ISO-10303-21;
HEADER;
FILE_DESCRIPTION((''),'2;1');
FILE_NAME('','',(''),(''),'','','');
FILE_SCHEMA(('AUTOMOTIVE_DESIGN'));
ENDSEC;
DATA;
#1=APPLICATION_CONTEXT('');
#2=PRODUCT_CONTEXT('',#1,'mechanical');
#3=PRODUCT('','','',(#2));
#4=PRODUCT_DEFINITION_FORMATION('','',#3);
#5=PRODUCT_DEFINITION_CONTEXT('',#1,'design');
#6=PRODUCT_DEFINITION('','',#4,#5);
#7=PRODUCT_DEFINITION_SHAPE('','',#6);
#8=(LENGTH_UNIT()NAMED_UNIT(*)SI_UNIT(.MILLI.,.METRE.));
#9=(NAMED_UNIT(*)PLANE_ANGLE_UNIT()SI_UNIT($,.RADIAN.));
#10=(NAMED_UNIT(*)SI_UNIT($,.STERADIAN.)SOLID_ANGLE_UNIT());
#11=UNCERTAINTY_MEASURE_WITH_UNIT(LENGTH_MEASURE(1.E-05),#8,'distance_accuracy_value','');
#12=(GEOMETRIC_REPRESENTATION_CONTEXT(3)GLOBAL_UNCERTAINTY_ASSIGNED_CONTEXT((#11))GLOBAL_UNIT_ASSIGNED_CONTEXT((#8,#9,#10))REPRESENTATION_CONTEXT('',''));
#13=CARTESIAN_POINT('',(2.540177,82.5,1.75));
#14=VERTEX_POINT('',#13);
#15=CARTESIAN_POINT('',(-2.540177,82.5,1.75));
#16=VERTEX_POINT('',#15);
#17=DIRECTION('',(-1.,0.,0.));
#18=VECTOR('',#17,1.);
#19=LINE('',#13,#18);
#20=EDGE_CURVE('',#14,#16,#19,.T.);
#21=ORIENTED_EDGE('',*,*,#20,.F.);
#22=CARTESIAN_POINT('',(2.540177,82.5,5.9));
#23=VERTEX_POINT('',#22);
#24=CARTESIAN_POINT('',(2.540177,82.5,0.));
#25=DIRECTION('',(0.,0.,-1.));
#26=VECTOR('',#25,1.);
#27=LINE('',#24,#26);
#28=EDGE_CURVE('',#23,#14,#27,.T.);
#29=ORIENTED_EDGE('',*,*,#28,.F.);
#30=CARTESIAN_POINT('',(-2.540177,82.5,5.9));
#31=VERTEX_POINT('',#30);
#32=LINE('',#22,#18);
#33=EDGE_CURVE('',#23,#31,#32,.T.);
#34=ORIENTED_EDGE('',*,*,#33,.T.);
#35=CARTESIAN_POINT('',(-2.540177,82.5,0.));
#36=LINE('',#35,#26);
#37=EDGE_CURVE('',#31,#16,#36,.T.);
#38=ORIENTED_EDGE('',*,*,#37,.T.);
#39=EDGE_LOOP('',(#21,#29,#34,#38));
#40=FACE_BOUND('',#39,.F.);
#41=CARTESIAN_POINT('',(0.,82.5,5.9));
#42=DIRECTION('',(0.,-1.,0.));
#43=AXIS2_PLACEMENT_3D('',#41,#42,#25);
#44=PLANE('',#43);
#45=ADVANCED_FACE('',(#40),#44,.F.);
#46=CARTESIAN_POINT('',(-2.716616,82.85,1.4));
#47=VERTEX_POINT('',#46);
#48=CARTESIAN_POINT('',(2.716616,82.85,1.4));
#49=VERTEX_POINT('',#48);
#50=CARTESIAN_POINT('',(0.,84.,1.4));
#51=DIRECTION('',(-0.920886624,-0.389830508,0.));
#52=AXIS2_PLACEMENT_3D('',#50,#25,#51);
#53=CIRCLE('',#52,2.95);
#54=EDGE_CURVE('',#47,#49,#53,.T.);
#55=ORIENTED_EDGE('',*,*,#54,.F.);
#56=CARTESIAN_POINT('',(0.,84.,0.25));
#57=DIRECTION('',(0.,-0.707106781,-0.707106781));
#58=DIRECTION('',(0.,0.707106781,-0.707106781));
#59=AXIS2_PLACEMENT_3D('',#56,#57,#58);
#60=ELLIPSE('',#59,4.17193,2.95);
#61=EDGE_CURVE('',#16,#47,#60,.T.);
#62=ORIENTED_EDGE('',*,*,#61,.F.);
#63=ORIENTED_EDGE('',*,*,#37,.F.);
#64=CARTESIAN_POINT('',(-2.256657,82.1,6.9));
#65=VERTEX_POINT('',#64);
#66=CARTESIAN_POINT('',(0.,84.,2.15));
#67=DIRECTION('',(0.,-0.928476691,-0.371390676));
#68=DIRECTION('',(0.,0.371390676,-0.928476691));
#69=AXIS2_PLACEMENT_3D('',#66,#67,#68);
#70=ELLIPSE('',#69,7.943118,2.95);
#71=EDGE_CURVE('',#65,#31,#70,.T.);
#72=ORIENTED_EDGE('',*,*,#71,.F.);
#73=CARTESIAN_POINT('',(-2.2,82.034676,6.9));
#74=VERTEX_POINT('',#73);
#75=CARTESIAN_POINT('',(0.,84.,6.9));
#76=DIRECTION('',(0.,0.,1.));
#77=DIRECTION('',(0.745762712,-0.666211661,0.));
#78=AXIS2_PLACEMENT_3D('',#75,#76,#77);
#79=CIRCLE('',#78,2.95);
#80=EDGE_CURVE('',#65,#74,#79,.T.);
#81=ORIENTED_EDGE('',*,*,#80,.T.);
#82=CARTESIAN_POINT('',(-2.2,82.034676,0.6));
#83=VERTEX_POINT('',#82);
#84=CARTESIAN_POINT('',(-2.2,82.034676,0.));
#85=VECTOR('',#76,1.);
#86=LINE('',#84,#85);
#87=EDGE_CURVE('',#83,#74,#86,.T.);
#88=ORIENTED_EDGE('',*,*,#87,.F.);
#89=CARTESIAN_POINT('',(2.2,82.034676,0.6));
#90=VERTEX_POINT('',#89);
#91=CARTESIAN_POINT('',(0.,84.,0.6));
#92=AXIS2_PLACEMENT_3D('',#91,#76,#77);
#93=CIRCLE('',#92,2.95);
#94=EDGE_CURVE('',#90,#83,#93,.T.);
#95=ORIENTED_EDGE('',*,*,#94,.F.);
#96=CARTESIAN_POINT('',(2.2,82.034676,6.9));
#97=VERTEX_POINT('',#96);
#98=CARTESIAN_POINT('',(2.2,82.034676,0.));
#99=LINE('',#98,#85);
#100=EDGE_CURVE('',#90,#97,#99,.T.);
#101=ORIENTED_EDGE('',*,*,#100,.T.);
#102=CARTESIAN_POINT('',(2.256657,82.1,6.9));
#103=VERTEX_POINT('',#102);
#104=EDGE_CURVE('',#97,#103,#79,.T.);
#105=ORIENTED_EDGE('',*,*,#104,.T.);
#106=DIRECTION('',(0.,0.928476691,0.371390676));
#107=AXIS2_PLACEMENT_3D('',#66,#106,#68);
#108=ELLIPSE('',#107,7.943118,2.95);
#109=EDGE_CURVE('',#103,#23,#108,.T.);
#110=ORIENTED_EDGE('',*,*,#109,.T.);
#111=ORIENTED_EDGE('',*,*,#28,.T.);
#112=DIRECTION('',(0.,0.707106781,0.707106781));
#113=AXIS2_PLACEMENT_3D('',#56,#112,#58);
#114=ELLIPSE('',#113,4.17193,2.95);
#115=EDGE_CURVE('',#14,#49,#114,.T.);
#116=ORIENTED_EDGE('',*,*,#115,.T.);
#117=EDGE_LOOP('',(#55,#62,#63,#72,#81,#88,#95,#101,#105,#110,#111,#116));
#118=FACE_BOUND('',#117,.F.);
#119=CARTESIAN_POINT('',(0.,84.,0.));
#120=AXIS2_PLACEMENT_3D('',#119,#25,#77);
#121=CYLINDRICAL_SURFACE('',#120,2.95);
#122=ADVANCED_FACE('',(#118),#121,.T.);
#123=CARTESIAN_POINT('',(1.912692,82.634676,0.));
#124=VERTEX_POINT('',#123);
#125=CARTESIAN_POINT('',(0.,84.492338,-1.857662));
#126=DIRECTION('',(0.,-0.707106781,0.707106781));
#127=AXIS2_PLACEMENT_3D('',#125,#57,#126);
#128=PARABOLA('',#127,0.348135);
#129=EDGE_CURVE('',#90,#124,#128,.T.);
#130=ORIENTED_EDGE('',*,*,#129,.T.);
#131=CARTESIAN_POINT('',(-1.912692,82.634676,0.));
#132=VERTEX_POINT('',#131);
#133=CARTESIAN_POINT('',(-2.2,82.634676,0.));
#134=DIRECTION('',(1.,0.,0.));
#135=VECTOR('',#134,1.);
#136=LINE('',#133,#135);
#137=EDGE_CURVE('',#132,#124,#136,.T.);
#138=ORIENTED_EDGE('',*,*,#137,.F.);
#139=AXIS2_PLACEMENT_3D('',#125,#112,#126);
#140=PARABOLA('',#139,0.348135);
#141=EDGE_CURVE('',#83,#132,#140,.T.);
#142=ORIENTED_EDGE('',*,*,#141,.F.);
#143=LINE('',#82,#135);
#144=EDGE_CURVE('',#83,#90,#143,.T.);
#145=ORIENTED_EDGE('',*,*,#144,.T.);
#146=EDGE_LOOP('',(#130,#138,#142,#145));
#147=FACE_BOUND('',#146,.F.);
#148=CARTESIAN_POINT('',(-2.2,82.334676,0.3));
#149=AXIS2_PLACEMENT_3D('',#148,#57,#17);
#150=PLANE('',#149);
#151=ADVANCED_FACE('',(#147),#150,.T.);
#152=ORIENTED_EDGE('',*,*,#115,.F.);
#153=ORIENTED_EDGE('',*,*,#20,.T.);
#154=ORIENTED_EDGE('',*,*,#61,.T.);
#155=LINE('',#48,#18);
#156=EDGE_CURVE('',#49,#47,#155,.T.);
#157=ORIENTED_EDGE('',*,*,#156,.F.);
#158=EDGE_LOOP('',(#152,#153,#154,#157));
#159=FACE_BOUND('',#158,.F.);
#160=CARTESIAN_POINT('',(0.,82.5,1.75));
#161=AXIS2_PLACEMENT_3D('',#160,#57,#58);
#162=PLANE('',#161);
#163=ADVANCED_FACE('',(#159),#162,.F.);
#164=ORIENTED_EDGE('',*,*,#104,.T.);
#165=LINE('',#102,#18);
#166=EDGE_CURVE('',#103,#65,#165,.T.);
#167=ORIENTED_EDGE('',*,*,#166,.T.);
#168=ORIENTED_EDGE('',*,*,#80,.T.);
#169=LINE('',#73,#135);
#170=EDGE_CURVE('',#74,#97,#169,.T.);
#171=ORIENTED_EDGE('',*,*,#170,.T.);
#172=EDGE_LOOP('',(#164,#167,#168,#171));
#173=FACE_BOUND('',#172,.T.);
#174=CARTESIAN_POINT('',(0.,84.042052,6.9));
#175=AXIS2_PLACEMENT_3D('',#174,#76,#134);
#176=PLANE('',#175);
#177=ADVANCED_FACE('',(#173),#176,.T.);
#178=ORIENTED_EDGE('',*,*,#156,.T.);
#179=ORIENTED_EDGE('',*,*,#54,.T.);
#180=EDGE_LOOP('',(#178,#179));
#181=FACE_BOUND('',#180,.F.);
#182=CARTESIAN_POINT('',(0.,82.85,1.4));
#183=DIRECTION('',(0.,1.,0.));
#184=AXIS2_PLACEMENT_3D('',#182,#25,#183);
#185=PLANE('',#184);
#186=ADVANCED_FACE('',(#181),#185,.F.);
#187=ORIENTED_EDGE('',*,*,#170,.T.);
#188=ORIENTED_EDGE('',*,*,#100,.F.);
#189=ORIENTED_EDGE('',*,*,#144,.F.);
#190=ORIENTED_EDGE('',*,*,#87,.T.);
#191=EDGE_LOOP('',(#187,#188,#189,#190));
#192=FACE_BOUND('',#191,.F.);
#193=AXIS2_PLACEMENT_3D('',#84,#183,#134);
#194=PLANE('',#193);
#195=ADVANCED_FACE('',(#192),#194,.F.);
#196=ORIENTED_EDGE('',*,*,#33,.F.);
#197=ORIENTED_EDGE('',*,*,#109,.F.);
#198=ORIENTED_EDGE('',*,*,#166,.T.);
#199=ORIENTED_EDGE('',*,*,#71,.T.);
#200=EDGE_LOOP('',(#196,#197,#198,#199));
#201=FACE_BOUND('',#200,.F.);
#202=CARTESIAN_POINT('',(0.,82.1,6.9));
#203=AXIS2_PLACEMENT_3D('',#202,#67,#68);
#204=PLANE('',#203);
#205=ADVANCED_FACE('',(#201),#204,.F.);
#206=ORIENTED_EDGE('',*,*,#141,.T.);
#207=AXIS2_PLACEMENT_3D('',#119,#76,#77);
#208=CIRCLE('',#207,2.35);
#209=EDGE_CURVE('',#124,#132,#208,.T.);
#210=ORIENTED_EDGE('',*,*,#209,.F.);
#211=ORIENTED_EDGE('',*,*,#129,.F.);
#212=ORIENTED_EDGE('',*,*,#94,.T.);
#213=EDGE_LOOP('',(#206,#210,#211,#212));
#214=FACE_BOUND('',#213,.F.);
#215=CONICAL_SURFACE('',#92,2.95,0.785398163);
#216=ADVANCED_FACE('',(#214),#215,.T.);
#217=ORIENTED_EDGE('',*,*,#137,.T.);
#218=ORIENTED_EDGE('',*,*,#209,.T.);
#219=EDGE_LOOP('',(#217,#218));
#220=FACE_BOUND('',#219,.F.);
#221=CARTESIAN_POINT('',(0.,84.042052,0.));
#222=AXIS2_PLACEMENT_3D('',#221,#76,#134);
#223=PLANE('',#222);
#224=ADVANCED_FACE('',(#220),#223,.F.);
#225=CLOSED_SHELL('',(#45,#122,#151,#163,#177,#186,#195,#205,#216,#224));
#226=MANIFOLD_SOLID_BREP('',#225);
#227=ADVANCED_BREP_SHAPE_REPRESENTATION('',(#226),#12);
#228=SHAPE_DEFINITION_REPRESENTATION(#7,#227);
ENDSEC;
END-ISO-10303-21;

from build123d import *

# Parameters (mm, degrees)
PAD007_DEPTH         = 6.9
POCKET005_DEPTH      = 2.951
POCKET005_DEPTH_BACK = 2.951
CHAMFER008_SIZE      = 0.6


with BuildPart() as part:
    # Sketch018 → Pad007 (new body)
    with BuildSketch(Plane.XY):
        with BuildLine():
            ThreePointArc((2.2, -1.9653244007), (0, 2.95), (-2.2, -1.9653244007))
            Line((-2.2, -1.9653244007), (2.2, -1.9653244007))
        make_face()
    extrude(amount=PAD007_DEPTH)

    # Sketch019 → Pocket005 (cut, two sides)
    with BuildSketch(Plane.YZ) as pocket005_sk:
        Polygon((-1.9, 6.9), (-1.5, 5.9), (-1.5, 1.75), (-1.15, 1.4), (5, 1.4), (5, 6.9), align=None)
    extrude(amount=-POCKET005_DEPTH, mode=Mode.SUBTRACT)
    extrude(pocket005_sk.sketch, amount=POCKET005_DEPTH_BACK, mode=Mode.SUBTRACT)

    # Chamfer008
    chamfer008_edges = [part.edges().sort_by_distance(p)[0] for p in [
        (0, 2.95, 0),
        (0, -1.965324, 0),
    ]]
    chamfer(chamfer008_edges, length=CHAMFER008_SIZE)


with BuildPart() as part_1:
    # Body063 placement: moved
    add(part.part.moved(Location((0, 78, 0))))


with BuildPart() as part_2:
    # Clone058 placement: moved
    add(part_1.part.moved(Location((0, -78, 0))))


with BuildPart() as part_3:
    # Body064 placement: moved
    add(part_2.part.moved(Location((0, 84, 0))))


solid = part_3.part
